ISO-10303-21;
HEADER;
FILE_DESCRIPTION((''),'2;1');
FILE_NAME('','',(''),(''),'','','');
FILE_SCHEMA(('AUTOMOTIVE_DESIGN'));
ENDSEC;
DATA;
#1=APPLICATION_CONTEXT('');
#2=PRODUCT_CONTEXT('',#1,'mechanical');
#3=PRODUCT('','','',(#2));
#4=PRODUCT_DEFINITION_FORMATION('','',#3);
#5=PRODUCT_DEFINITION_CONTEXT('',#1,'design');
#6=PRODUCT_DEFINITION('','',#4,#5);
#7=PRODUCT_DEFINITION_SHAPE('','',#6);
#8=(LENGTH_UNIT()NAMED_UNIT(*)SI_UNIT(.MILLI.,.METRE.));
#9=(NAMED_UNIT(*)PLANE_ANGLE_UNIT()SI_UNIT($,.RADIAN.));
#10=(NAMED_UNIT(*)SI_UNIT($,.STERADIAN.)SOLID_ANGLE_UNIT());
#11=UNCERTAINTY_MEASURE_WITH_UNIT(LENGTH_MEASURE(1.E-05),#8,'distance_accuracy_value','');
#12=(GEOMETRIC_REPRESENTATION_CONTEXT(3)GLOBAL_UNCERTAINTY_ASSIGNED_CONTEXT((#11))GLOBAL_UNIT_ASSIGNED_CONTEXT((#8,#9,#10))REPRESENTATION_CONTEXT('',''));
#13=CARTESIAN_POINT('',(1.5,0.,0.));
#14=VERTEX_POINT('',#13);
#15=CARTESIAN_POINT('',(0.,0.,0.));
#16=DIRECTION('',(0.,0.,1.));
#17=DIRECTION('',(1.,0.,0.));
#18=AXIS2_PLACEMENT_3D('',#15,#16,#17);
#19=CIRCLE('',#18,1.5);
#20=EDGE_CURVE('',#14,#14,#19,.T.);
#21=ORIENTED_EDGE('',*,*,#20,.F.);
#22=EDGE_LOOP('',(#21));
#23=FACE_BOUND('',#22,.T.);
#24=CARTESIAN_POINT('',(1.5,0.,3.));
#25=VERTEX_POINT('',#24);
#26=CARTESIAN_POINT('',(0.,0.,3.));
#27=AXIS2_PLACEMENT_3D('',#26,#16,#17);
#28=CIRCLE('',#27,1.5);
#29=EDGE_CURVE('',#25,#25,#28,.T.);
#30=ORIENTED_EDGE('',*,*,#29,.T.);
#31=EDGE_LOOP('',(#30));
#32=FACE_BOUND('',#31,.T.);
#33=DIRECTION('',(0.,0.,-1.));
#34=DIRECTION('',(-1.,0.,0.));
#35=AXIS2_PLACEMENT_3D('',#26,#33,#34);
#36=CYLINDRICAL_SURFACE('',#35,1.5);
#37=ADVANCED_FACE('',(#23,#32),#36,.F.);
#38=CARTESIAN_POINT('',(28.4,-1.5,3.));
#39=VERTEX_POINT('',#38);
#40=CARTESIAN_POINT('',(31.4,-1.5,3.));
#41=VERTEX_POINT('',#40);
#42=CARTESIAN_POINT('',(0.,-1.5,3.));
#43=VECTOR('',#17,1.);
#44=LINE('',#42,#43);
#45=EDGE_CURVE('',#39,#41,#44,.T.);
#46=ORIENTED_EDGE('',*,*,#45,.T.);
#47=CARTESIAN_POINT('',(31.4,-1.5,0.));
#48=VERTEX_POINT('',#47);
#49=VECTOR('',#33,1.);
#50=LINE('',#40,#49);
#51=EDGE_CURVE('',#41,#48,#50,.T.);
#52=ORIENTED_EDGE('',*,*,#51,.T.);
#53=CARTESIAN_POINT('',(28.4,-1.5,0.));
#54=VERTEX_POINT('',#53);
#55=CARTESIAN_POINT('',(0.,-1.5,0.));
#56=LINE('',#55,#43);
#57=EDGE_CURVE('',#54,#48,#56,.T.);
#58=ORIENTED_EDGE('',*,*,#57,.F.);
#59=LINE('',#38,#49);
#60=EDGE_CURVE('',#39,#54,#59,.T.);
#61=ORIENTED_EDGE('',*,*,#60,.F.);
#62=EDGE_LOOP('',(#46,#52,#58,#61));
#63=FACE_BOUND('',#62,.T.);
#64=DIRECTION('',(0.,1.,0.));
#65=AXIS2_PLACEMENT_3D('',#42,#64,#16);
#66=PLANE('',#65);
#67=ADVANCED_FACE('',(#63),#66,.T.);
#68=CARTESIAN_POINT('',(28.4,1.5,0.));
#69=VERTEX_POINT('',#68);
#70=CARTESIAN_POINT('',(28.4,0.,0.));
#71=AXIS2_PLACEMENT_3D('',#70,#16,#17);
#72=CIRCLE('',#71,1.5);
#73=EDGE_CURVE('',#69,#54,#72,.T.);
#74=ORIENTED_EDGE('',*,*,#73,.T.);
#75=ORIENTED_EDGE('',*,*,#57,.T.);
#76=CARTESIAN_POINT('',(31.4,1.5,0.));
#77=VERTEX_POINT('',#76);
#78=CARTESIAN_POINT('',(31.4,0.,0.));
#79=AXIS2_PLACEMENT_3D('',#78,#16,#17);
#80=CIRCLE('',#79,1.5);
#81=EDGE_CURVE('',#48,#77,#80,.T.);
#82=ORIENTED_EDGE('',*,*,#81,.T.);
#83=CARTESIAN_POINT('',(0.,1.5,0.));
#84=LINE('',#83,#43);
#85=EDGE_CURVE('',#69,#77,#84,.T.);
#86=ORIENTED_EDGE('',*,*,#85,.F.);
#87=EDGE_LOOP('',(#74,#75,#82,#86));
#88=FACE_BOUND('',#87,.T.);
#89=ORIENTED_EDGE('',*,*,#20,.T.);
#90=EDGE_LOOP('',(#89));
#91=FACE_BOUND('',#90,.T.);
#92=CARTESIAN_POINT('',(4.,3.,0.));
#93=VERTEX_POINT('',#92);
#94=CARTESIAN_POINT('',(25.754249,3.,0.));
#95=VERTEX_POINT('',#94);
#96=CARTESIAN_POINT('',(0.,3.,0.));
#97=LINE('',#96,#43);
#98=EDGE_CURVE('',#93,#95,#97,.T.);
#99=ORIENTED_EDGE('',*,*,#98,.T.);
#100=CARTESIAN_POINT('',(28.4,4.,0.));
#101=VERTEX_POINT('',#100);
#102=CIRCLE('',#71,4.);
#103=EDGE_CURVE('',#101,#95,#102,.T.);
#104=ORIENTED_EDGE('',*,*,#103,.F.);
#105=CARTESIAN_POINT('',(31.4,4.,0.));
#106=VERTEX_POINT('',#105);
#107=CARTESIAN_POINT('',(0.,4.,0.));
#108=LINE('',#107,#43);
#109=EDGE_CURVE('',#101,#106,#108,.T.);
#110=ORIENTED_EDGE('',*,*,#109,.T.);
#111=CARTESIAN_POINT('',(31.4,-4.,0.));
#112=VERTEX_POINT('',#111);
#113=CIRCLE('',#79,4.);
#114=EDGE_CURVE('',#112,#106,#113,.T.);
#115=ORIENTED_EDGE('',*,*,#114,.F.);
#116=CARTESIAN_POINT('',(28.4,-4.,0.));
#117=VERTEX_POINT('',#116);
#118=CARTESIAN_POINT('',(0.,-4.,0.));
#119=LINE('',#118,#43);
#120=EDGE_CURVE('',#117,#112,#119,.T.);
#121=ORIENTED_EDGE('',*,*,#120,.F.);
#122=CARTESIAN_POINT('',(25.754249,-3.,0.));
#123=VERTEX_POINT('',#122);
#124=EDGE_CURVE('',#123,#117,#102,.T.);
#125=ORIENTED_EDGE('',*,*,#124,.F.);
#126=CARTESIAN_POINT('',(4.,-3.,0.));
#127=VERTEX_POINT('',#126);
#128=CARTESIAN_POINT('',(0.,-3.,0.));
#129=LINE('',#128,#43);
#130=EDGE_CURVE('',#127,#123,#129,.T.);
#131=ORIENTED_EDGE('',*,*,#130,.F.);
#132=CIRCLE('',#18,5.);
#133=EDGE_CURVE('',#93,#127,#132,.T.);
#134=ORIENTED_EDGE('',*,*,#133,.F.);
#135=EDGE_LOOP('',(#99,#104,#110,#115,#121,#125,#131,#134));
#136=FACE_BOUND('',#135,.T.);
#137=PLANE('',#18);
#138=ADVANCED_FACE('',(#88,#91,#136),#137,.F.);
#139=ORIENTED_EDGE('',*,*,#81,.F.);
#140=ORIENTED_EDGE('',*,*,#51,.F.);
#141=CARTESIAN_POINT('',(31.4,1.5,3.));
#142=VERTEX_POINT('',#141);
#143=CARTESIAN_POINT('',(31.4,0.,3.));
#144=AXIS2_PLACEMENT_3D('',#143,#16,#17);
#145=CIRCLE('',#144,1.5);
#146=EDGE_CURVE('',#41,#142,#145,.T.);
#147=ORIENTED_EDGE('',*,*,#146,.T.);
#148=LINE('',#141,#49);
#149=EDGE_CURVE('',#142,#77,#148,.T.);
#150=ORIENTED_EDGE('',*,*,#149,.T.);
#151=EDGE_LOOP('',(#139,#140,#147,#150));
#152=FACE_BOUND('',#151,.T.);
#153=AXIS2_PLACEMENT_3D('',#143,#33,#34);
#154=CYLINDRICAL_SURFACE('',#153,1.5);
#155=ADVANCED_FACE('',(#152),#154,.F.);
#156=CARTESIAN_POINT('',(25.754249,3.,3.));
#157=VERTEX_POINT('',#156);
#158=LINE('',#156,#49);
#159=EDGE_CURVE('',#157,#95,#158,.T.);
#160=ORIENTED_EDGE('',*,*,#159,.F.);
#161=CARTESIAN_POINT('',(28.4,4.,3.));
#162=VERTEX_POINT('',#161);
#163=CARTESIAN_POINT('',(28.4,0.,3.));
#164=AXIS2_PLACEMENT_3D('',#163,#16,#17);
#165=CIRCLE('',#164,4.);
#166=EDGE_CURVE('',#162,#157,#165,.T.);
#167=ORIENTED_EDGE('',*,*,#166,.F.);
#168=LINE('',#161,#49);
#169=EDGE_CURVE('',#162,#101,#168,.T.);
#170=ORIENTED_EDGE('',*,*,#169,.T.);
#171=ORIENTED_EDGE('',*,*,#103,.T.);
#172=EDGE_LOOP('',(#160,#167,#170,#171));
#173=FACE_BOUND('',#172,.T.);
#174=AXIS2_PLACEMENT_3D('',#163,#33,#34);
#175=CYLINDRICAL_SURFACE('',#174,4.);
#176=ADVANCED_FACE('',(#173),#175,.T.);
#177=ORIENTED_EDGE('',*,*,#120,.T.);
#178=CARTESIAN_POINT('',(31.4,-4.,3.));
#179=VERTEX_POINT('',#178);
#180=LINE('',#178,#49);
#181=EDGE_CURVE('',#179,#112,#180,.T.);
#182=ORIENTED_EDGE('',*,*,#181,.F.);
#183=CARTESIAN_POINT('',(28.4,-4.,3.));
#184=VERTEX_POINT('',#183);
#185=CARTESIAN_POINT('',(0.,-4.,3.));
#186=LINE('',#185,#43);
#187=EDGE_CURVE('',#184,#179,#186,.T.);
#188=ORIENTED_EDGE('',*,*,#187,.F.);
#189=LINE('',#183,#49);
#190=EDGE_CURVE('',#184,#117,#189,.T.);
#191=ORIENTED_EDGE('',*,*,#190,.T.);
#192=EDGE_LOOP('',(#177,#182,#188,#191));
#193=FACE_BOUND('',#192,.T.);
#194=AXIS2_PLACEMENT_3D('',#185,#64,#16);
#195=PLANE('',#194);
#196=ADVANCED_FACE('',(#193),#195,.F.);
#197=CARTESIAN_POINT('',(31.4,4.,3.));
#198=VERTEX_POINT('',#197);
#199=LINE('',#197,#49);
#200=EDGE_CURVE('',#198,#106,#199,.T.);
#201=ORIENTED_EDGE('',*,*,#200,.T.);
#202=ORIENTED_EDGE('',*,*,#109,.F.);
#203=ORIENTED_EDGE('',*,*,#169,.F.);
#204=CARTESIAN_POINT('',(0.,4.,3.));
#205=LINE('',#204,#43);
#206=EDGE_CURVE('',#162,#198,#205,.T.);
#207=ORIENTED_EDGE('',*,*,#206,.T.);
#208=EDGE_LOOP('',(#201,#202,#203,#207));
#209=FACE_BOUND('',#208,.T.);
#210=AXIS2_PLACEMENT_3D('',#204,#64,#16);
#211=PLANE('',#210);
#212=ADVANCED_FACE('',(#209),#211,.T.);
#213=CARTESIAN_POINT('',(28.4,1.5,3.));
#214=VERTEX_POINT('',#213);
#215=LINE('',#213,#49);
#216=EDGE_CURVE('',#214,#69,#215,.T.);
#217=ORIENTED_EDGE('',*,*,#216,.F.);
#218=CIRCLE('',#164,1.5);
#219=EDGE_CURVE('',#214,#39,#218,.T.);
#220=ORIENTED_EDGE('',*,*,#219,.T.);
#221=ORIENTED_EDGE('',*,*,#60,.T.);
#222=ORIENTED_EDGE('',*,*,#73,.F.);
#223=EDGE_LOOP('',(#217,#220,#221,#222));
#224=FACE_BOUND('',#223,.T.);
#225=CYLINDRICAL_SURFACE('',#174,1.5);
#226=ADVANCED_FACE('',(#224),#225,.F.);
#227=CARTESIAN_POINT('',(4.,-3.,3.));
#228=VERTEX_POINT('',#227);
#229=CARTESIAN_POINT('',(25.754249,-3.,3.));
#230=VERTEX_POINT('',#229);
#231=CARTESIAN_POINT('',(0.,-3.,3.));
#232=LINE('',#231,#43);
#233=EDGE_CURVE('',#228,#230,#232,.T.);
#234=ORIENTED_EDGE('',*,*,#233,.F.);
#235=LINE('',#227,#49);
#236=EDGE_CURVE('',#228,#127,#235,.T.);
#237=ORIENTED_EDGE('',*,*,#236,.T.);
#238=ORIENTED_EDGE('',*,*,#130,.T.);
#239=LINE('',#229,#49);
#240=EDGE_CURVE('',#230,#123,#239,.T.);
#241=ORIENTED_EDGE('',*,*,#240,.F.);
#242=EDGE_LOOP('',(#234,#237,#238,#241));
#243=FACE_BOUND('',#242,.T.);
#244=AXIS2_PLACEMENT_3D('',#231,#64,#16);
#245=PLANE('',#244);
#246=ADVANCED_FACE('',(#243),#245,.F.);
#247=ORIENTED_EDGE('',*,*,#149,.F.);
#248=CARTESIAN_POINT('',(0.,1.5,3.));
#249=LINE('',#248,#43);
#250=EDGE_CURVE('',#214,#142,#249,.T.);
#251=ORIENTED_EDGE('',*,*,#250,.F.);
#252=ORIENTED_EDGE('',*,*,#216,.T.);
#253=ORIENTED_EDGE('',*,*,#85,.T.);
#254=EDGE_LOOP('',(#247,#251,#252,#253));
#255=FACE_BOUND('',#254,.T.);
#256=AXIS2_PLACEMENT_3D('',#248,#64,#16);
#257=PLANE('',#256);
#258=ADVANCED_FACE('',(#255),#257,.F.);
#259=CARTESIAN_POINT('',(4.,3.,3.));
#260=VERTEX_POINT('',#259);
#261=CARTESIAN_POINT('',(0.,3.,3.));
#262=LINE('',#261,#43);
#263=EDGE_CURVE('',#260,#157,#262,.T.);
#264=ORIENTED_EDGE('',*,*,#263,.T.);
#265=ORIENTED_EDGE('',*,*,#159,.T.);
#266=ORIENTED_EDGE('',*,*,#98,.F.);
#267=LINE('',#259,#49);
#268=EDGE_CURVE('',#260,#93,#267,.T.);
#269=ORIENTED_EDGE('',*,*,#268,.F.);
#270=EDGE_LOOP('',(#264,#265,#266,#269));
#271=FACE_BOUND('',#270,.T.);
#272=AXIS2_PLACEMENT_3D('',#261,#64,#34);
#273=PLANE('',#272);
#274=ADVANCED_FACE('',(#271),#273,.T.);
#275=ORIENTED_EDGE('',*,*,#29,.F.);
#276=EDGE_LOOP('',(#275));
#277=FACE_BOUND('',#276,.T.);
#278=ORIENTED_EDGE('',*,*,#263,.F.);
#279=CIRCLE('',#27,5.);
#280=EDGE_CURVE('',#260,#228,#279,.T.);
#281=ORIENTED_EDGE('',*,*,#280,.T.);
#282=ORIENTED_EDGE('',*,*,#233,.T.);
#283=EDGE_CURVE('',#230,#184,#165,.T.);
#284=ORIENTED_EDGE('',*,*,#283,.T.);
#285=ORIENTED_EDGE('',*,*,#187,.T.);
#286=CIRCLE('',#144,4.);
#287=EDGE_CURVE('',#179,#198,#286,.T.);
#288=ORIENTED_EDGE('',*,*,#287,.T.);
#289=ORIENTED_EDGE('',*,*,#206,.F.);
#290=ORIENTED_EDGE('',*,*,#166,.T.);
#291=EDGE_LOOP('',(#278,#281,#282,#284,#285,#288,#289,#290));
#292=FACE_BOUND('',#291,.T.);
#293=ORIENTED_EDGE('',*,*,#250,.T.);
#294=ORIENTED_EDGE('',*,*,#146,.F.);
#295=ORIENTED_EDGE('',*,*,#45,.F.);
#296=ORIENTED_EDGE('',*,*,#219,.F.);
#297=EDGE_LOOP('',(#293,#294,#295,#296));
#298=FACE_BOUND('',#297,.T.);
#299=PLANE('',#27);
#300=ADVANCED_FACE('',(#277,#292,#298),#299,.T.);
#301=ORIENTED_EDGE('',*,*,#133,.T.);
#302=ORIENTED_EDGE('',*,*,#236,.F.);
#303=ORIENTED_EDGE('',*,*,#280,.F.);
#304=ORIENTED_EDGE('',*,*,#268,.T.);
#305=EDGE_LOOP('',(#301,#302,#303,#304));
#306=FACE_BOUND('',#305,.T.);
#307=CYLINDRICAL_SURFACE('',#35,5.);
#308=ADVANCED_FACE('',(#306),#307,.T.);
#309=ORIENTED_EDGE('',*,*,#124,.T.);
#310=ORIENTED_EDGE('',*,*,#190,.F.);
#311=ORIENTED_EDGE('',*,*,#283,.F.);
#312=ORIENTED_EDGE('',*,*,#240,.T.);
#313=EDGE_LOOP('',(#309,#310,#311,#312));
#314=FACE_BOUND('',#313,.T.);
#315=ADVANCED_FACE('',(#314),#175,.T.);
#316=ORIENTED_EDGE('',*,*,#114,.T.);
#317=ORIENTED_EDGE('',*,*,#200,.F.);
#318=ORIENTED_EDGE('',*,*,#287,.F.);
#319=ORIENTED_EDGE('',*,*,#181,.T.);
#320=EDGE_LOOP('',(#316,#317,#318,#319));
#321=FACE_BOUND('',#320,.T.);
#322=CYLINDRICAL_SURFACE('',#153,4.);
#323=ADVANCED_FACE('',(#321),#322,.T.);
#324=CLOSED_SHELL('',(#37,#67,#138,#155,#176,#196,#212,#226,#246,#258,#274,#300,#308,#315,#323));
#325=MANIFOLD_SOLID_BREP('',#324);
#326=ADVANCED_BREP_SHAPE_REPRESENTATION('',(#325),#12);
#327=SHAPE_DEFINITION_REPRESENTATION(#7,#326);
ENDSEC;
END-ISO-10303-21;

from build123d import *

# Parameters (mm, degrees)
SALIENTE_EXTRUIR2_DEPTH = 3


with BuildPart() as part:
    # Croquis1 → Saliente-Extruir2 (new body)
    # profile 1 of 6: a face of its own
    with BuildSketch(Plane.XY):
        with BuildLine():
            Line((0, -1.5), (0, -3))
            Line((0, -3), (4, -3))
            ThreePointArc((4, -3), (4.74341649, -1.58113883), (5, 0))
            ThreePointArc((5, 0), (4.74341649, 1.58113883), (4, 3))
            Line((4, 3), (0, 3))
            Line((0, 3), (0, 1.5))
            ThreePointArc((0, 1.5), (1.060660172, 1.060660172), (1.5, 0))
            ThreePointArc((1.5, 0), (1.060660172, -1.060660172), (0, -1.5))
        make_face()
    # profile 2 of 6: a face of its own
    with BuildSketch(Plane.XY):
        with BuildLine():
            Line((4, -3), (0, -3))
            Line((0, -3), (0, -1.5))
            ThreePointArc((0, -1.5), (-1.5, 0), (0, 1.5))
            Line((0, 1.5), (0, 3))
            Line((0, 3), (4, 3))
            ThreePointArc((4, 3), (-5, 0), (4, -3))
        make_face()
    # profile 3 of 6: a face of its own
    with BuildSketch(Plane.XY):
        with BuildLine():
            Line((0, -1.5), (0, -3))
            Line((0, -3), (4, -3))
            ThreePointArc((4, -3), (4.74341649, -1.58113883), (5, 0))
            ThreePointArc((5, 0), (4.74341649, 1.58113883), (4, 3))
            Line((4, 3), (0, 3))
            Line((0, 3), (0, 1.5))
            ThreePointArc((0, 1.5), (1.060660172, 1.060660172), (1.5, 0))
            ThreePointArc((1.5, 0), (1.060660172, -1.060660172), (0, -1.5))
        make_face()
    # profile 4 of 6: a face of its own
    with BuildSketch(Plane.XY):
        with BuildLine():
            Line((4, -3), (0, -3))
            Line((0, -3), (0, -1.5))
            ThreePointArc((0, -1.5), (-1.5, 0), (0, 1.5))
            Line((0, 1.5), (0, 3))
            Line((0, 3), (4, 3))
            ThreePointArc((4, 3), (-5, 0), (4, -3))
        make_face()
    # profile 5 of 6: a face of its own
    with BuildSketch(Plane.XY):
        with BuildLine():
            ThreePointArc((5, 0), (4.74341649, -1.58113883), (4, -3))
            Line((4, -3), (25.754248689, -3))
            ThreePointArc((25.754248689, -3), (24.4, 0), (25.754248689, 3))
            Line((25.754248689, 3), (4, 3))
            ThreePointArc((4, 3), (4.74341649, 1.58113883), (5, 0))
        make_face()
    # profile 6 of 6: a face of its own
    with BuildSketch(Plane.XY):
        with BuildLine():
            ThreePointArc((25.754248689, 3), (24.4, 0), (25.754248689, -3))
            ThreePointArc((25.754248689, -3), (26.985786438, -3.741657387), (28.4, -4))
            Line((28.4, -4), (31.4, -4))
            ThreePointArc((31.4, -4), (35.4, 0), (31.4, 4))
            Line((31.4, 4), (28.4, 4))
            ThreePointArc((28.4, 4), (26.985786438, 3.741657387), (25.754248689, 3))
        make_face()
        with BuildLine():
            Line((31.4, -1.5), (28.4, -1.5))
            ThreePointArc((28.4, -1.5), (26.9, 0), (28.4, 1.5))
            Line((28.4, 1.5), (31.4, 1.5))
            ThreePointArc((31.4, 1.5), (32.460660172, 1.060660172), (32.9, 0))
            ThreePointArc((32.9, 0), (32.460660172, -1.060660172), (31.4, -1.5))
        make_face(mode=Mode.SUBTRACT)
    extrude(amount=SALIENTE_EXTRUIR2_DEPTH)


solid = part.part
